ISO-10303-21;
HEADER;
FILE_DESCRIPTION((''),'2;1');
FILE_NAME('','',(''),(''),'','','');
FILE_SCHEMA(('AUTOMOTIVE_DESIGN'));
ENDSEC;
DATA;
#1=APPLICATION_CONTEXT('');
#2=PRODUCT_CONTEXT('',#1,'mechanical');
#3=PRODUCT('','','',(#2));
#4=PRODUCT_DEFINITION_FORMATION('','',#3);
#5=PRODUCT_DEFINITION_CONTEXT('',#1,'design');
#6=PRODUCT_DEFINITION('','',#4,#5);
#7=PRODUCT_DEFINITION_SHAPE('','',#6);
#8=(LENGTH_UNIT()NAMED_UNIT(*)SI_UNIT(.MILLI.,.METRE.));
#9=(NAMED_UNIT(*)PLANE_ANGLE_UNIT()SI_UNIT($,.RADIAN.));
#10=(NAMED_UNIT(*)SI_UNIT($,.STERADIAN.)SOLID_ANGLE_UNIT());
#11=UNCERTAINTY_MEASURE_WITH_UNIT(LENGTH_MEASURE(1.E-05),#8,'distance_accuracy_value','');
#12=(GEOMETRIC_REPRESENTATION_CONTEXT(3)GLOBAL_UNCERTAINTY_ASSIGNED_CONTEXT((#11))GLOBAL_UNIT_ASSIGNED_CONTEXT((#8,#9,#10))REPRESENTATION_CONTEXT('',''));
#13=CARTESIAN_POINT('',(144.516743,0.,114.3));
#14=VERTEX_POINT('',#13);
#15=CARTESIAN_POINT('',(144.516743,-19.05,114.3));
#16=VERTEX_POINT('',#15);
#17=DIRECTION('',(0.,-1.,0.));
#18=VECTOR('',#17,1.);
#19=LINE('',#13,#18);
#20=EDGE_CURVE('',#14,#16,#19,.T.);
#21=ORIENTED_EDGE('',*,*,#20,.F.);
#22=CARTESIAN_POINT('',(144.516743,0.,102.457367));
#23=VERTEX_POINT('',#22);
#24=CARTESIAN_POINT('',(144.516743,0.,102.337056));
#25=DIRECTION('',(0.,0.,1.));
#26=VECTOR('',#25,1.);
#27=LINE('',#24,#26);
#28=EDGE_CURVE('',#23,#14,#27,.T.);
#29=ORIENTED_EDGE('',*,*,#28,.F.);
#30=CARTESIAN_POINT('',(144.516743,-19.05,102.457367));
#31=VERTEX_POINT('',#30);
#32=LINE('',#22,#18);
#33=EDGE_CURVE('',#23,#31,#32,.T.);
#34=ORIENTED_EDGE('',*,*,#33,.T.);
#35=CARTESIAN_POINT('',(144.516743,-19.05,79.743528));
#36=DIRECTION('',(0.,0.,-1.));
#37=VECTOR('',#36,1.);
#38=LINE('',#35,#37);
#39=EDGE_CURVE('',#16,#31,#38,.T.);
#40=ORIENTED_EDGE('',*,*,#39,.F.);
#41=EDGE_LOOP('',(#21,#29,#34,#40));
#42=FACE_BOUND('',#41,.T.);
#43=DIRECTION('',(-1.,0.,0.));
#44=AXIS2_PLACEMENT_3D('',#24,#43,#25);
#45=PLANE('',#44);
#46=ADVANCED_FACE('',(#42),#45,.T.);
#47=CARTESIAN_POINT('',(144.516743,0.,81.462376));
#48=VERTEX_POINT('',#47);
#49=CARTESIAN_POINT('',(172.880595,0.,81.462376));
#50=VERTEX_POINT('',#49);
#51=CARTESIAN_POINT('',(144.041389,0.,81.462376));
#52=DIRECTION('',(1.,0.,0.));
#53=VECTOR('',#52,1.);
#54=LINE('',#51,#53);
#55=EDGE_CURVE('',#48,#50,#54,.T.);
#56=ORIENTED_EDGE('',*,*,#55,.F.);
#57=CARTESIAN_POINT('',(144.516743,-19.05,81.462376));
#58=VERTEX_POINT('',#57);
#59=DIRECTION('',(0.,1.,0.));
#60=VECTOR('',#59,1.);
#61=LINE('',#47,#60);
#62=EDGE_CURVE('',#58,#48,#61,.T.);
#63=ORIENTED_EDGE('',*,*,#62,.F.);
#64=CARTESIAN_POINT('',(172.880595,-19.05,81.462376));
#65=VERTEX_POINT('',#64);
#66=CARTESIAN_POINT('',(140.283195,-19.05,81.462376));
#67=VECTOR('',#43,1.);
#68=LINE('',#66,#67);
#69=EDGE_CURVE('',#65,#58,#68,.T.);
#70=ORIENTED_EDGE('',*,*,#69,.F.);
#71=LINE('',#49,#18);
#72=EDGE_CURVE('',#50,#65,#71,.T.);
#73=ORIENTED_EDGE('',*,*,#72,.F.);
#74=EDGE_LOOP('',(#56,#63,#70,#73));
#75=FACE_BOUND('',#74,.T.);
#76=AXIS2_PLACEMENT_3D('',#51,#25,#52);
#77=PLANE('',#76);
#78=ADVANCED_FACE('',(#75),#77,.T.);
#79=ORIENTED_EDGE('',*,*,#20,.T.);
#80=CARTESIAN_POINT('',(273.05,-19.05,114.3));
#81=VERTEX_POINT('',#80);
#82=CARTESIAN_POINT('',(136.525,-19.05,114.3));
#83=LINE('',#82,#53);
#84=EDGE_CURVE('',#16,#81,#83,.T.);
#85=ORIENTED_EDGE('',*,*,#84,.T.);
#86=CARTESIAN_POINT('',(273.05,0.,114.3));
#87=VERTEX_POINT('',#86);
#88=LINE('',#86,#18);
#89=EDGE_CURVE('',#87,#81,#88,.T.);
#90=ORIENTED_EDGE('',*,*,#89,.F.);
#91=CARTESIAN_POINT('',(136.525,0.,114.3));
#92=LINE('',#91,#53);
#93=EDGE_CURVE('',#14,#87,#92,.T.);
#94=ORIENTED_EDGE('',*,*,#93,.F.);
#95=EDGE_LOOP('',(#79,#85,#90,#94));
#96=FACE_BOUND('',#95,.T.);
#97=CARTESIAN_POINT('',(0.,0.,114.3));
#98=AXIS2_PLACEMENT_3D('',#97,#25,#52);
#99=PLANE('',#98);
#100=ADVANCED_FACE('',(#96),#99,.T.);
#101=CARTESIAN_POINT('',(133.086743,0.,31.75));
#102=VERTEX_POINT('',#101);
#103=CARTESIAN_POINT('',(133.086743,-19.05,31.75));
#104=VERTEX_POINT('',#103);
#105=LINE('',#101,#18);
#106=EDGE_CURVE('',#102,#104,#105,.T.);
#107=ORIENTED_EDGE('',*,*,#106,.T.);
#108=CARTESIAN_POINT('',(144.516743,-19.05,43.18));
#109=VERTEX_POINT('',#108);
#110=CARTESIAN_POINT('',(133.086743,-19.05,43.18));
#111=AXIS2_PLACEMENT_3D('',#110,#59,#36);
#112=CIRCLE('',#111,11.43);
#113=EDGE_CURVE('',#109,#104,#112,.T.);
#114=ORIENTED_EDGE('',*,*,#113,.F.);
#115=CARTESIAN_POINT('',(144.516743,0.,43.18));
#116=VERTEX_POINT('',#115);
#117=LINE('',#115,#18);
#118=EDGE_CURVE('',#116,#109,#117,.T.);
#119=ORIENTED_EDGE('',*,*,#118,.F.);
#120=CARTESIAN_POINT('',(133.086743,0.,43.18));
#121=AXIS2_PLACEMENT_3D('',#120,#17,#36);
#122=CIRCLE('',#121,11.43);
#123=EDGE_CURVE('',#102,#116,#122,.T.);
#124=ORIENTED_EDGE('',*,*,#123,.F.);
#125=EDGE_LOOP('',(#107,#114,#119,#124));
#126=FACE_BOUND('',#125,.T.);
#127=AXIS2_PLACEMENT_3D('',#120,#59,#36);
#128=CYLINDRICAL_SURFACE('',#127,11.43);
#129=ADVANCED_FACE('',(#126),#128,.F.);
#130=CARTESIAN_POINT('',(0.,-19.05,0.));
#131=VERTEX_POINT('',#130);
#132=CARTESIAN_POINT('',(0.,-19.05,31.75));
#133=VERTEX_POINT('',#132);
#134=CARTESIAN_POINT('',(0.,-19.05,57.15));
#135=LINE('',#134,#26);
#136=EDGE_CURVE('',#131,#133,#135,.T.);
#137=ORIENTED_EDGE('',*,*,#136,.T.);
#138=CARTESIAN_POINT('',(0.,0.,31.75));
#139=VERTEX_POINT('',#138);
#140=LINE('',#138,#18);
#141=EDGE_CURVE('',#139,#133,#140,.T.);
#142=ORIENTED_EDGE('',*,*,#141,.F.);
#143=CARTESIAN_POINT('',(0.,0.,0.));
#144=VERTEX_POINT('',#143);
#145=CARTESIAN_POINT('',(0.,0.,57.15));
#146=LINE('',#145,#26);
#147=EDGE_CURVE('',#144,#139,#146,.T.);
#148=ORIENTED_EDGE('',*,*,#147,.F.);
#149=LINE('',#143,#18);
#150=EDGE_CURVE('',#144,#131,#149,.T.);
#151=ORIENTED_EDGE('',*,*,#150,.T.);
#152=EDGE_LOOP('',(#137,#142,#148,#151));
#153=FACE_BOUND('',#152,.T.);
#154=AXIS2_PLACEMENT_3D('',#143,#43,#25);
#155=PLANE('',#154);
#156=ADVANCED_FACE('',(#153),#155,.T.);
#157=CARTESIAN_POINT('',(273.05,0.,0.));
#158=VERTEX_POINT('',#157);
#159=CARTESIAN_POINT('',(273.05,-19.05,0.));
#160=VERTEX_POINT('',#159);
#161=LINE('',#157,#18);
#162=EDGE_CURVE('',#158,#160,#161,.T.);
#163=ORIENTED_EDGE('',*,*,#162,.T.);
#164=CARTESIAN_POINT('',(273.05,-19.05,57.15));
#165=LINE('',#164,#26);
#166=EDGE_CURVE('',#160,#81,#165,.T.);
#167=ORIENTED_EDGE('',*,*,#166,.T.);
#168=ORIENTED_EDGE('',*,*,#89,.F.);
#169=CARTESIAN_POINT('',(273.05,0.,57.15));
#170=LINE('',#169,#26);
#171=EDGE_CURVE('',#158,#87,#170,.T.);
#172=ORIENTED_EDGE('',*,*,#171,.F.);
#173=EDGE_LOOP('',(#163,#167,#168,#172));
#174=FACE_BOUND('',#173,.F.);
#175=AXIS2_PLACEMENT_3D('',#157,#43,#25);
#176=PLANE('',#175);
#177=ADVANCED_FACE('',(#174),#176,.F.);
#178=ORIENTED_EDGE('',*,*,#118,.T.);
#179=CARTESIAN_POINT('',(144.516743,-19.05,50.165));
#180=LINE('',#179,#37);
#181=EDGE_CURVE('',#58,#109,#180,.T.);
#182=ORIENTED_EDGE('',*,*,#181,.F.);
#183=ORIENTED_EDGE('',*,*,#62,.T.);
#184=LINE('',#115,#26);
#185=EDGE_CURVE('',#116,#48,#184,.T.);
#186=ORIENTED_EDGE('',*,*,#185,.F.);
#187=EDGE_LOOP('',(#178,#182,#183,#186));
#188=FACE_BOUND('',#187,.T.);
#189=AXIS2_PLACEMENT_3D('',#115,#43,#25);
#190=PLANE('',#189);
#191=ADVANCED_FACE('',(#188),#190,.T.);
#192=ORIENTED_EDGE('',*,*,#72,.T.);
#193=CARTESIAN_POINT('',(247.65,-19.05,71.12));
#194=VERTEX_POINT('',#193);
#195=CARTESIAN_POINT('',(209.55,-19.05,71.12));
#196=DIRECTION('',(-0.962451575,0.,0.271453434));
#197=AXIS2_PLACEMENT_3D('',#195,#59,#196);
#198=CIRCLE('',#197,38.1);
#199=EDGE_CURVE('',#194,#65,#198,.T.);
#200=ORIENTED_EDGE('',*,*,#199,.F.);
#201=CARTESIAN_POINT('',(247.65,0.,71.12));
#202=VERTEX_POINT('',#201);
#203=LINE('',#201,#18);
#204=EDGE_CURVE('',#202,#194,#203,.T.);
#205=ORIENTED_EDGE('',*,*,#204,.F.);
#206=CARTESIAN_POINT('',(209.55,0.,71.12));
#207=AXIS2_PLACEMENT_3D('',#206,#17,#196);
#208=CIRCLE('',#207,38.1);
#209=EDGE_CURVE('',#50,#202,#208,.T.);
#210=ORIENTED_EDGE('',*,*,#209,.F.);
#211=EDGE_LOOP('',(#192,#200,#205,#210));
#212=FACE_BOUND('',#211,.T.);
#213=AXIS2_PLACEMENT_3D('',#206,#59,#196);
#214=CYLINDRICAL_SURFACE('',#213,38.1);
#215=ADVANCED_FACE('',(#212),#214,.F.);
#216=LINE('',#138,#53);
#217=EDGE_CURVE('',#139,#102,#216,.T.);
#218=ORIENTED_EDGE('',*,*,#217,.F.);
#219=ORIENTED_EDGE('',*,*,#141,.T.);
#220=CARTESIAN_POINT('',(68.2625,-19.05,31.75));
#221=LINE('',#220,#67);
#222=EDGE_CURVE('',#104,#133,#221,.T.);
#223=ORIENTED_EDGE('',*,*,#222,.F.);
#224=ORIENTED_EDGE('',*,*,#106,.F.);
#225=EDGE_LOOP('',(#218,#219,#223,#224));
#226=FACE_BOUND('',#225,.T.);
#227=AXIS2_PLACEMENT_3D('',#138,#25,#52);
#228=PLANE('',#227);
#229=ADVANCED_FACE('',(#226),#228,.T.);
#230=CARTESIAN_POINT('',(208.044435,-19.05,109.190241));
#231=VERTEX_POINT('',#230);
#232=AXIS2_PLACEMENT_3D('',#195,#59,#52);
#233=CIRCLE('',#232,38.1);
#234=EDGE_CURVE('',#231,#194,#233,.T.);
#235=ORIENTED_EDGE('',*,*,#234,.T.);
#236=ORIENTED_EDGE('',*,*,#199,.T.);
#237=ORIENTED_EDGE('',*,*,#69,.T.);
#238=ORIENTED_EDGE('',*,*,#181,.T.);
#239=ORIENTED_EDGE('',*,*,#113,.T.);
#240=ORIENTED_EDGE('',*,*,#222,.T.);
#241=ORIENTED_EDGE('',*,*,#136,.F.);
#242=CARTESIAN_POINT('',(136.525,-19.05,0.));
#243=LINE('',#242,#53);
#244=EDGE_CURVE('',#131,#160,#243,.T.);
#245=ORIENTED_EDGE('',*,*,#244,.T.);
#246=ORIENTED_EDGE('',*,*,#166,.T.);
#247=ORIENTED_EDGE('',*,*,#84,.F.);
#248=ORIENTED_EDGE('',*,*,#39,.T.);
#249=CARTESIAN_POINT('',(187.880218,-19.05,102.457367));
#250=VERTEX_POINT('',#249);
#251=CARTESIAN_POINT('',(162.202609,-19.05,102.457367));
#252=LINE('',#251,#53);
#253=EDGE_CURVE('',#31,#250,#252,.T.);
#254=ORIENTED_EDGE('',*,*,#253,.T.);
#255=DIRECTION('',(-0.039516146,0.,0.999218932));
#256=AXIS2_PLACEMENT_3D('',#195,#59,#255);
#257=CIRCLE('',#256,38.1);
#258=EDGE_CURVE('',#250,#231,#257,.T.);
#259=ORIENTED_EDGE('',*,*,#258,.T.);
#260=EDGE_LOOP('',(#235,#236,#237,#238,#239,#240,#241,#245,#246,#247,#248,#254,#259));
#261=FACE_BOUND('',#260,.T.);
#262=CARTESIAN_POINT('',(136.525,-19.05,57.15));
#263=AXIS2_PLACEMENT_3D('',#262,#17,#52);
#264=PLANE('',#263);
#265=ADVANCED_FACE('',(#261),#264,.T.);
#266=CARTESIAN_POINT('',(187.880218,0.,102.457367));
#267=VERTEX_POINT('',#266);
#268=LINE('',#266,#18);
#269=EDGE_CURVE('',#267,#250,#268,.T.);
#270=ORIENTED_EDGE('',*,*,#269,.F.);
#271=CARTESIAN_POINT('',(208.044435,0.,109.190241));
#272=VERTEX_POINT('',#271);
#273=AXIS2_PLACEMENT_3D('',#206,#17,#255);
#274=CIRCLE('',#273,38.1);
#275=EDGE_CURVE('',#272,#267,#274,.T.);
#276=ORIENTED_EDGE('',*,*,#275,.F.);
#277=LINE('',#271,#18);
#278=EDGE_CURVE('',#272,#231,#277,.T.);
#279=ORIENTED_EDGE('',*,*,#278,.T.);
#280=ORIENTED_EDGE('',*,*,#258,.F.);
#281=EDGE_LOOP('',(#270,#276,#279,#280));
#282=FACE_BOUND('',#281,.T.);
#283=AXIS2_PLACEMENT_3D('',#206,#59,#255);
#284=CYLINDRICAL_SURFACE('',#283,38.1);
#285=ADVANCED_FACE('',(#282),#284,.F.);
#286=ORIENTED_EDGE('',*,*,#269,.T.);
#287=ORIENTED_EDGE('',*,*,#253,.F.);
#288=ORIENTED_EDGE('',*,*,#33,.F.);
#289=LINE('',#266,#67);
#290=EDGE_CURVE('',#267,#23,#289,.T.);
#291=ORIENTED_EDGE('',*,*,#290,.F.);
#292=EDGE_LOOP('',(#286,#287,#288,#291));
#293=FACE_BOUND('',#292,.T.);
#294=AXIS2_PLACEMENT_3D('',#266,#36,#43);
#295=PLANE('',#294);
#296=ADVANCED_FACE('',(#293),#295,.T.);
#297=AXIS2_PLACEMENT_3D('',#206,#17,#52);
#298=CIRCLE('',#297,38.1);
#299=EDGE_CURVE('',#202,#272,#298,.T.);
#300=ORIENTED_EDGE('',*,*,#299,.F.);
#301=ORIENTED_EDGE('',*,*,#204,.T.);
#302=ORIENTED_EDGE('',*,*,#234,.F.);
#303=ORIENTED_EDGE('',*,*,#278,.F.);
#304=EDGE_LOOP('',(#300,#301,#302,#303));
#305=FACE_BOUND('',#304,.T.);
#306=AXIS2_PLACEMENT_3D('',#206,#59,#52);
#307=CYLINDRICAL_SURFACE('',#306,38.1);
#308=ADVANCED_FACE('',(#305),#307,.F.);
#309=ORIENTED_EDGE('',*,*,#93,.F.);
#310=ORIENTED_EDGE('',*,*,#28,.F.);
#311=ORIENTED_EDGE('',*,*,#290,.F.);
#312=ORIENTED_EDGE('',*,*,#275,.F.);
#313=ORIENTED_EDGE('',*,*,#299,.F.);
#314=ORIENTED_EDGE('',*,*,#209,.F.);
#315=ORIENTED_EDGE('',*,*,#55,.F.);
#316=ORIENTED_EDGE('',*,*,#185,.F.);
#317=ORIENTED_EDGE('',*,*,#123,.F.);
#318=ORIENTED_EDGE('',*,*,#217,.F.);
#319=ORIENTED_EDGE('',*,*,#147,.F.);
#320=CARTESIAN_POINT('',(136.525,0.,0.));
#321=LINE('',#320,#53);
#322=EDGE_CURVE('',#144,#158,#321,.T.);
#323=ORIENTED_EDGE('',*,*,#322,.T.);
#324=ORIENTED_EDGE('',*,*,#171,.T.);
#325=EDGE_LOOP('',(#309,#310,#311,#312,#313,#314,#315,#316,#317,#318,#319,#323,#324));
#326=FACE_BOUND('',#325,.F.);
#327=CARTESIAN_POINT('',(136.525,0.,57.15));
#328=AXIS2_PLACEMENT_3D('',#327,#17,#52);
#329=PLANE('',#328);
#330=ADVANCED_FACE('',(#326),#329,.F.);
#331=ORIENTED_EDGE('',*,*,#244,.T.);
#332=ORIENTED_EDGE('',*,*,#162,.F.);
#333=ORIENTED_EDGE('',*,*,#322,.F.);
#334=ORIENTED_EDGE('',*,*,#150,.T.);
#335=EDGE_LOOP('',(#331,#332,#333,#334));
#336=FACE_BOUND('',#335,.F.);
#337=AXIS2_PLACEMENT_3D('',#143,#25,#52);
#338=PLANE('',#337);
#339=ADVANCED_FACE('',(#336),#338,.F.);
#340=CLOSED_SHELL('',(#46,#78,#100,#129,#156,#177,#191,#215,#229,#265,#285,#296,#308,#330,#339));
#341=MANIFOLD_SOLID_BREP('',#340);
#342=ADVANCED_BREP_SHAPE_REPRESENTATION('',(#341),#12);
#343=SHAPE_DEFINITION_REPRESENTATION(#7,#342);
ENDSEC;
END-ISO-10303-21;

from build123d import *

# Parameters (mm, degrees)
F0_W     = 273.05
F0_H     = 114.3
F1_DEPTH = 19.05
F3_DEPTH = 25.4
F5_DEPTH = 25.4


with BuildPart() as f1:
    # F0 (on Front) → F1 (new body)
    with BuildSketch(Plane.XZ):
        with Locations((136.525, 57.15)):
            Rectangle(F0_W, F0_H)
    extrude(amount=F1_DEPTH)

    # F2 (on Front) → F3 (cut)
    with BuildSketch(Plane.XZ):
        with BuildLine():
            Line((144.5167429344, 115.0370560134), (0, 114.3))
            Line((0, 114.3), (0, 31.75))
            Line((0, 31.75), (133.0867429344, 31.75))
            ThreePointArc((133.0867429344, 31.75), (141.1689734434, 35.097769491), (144.5167429344, 43.18))
            Line((144.5167429344, 43.18), (144.5167429344, 82.55))
            Line((144.5167429344, 82.55), (157.2167429344, 82.55))
            Line((157.2167429344, 82.55), (157.2167429344, 102.3370560134))
            Line((157.2167429344, 102.3370560134), (144.5167429344, 102.3370560134))
            Line((144.5167429344, 102.3370560134), (144.5167429344, 115.0370560134))
        make_face()
    extrude(amount=F3_DEPTH, mode=Mode.SUBTRACT)

    # F4 (on Front) → F5 (cut)
    with BuildSketch(Plane.XZ):
        with BuildLine():
            ThreePointArc((172.8805950089, 81.4623758197), (204.3295752166, 33.3793433406), (247.65, 71.12))
            ThreePointArc((247.65, 71.12), (235.9531055724, 98.5879088416), (208.0444348487, 109.1902413123))
            ThreePointArc((208.0444348487, 109.1902413123), (197.4832243591, 107.2586624771), (187.8802183492, 102.4573668838))
            Line((187.8802183492, 102.4573668838), (192.520737648, 102.4573668838))
            Line((192.520737648, 102.4573668838), (192.520737648, 81.4623758197))
            Line((192.520737648, 81.4623758197), (172.8805950089, 81.4623758197))
        make_face()
        with BuildLine():
            Line((144.0413892269, 81.4623758197), (172.8805950089, 81.4623758197))
            ThreePointArc((172.8805950089, 81.4623758197), (178.5489905494, 93.26830497), (187.8802183492, 102.4573668838))
            Line((187.8802183492, 102.4573668838), (156.6383838654, 102.4573668838))
            Line((156.6383838654, 102.4573668838), (144.0413892269, 102.4573668838))
            Line((144.0413892269, 102.4573668838), (144.0413892269, 81.4623758197))
        make_face()
        with BuildLine():
            ThreePointArc((187.8802183492, 102.4573668838), (178.5489905494, 93.26830497), (172.8805950089, 81.4623758197))
            Line((172.8805950089, 81.4623758197), (192.520737648, 81.4623758197))
            Line((192.520737648, 81.4623758197), (192.520737648, 102.4573668838))
            Line((192.520737648, 102.4573668838), (187.8802183492, 102.4573668838))
        make_face()
    extrude(amount=F5_DEPTH, mode=Mode.SUBTRACT)


solid = f1.part
